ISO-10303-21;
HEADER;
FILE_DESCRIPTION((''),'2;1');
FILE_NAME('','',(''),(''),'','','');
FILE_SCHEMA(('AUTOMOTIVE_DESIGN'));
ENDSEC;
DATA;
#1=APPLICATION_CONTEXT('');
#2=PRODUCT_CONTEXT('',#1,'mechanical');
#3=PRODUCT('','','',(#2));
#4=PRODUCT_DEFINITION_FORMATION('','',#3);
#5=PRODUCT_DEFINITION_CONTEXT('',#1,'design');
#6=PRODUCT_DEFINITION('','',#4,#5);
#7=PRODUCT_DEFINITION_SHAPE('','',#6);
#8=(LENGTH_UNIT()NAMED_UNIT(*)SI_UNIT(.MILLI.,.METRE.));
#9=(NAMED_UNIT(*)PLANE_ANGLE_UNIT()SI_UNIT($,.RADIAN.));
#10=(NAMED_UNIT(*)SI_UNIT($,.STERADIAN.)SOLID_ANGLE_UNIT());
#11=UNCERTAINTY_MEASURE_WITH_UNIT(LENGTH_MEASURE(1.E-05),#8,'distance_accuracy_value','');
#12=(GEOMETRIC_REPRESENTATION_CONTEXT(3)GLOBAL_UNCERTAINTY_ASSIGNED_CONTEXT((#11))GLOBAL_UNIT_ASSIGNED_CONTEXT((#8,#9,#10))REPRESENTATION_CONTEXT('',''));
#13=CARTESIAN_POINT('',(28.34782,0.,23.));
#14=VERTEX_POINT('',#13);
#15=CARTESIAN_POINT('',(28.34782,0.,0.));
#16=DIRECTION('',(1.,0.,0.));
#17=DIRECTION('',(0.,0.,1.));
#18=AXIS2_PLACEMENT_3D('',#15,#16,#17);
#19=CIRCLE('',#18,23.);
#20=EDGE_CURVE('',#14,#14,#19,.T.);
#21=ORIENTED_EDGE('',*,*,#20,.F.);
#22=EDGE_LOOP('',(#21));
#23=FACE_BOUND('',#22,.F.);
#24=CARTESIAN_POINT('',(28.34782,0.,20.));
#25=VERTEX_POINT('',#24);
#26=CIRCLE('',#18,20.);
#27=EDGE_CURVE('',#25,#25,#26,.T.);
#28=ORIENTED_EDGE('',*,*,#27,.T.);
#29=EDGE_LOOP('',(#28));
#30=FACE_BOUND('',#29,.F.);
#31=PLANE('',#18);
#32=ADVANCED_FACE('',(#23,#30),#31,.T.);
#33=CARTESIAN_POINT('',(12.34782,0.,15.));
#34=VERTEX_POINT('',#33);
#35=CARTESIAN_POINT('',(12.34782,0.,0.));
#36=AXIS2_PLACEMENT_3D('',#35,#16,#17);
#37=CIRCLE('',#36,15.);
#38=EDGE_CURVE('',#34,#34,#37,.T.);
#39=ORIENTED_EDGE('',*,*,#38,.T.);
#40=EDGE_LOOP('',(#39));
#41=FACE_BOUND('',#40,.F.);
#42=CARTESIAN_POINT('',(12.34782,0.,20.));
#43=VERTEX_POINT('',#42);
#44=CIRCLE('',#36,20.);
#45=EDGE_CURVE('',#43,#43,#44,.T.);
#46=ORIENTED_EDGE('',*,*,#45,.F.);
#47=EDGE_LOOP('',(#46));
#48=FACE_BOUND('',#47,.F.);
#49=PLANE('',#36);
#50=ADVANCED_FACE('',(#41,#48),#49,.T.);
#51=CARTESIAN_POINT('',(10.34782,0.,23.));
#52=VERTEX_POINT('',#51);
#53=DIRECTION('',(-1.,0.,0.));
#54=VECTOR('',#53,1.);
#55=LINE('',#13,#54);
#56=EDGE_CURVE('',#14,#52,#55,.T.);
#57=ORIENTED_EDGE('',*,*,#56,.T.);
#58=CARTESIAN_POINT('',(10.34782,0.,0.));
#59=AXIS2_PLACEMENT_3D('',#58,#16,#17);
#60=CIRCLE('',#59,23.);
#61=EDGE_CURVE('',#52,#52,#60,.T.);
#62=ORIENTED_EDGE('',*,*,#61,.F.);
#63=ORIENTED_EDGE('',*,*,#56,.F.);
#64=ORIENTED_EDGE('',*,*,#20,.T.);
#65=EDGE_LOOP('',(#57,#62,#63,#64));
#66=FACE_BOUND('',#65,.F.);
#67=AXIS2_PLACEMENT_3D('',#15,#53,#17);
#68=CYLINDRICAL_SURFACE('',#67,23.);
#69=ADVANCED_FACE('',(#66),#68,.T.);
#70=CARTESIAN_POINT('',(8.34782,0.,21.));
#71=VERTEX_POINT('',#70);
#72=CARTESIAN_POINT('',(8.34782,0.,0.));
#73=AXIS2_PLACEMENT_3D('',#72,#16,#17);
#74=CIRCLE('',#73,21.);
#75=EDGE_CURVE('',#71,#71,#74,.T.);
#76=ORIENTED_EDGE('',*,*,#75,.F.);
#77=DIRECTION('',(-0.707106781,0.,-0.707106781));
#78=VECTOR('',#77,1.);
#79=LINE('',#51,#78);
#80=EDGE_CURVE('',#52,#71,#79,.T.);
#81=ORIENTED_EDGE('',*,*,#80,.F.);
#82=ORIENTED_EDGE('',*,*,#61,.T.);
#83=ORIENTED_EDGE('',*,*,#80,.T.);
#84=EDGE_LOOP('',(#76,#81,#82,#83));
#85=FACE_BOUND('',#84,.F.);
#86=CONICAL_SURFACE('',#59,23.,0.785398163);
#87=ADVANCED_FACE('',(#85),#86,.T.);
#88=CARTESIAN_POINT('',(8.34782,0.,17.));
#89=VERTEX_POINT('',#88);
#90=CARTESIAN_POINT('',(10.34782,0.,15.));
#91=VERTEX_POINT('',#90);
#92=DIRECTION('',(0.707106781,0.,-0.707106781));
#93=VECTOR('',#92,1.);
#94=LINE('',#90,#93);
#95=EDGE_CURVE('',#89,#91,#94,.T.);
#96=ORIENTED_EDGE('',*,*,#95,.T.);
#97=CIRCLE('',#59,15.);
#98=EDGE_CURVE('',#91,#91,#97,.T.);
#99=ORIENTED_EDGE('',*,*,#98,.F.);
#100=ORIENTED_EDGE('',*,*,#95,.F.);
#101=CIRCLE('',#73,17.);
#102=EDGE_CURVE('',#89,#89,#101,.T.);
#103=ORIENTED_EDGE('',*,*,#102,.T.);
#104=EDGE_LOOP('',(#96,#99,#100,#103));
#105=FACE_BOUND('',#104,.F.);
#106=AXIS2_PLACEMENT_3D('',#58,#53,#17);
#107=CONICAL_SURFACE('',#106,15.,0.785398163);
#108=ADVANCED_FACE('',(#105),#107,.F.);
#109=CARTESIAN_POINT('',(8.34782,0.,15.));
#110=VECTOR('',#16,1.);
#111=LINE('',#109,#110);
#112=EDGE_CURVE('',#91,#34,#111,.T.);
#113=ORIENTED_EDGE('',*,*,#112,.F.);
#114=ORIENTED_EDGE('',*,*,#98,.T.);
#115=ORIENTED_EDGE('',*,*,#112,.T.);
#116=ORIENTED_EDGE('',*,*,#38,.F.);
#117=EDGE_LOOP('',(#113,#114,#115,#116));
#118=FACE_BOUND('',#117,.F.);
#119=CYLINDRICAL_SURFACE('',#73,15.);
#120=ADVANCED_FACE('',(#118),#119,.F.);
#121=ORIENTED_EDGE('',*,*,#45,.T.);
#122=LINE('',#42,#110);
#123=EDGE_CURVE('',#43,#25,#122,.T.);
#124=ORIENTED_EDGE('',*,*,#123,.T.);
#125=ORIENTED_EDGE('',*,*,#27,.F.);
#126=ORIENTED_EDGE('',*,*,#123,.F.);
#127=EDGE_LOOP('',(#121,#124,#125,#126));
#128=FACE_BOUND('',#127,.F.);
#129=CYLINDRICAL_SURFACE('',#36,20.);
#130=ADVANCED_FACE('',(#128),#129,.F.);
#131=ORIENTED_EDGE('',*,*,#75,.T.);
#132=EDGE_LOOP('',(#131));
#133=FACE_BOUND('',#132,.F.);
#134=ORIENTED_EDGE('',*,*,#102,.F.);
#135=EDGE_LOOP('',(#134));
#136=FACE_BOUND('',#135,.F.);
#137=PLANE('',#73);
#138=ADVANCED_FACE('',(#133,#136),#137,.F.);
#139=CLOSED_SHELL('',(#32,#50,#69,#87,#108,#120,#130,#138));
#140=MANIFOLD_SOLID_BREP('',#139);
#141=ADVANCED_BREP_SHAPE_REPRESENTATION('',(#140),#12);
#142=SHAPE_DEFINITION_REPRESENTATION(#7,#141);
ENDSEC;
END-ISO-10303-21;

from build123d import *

# Parameters (mm, degrees)
F3_SIZE = 2
F4_SIZE = 2


with BuildPart() as f2:
    # F0 (on Front) → F2 (revolve)
    with BuildSketch(Plane.XZ):
        Polygon((8.34782, 20), (8.34782, 15), (12.34782, 15), (12.34782, 20), (28.34782, 20), (28.34782, 23), (8.34782, 23), align=None)
    revolve(axis=Axis((1.375284, 0, 0), (1, 0, 0)))

    # F3
    f3_edges = [f2.edges().sort_by_distance(p)[0] for p in [
        (8.34782, 0, -23),
    ]]
    chamfer(f3_edges, length=F3_SIZE)

    # F4
    f4_edges = [f2.edges().sort_by_distance(p)[0] for p in [
        (8.34782, 0, -15),
    ]]
    chamfer(f4_edges, length=F4_SIZE)


solid = f2.part
